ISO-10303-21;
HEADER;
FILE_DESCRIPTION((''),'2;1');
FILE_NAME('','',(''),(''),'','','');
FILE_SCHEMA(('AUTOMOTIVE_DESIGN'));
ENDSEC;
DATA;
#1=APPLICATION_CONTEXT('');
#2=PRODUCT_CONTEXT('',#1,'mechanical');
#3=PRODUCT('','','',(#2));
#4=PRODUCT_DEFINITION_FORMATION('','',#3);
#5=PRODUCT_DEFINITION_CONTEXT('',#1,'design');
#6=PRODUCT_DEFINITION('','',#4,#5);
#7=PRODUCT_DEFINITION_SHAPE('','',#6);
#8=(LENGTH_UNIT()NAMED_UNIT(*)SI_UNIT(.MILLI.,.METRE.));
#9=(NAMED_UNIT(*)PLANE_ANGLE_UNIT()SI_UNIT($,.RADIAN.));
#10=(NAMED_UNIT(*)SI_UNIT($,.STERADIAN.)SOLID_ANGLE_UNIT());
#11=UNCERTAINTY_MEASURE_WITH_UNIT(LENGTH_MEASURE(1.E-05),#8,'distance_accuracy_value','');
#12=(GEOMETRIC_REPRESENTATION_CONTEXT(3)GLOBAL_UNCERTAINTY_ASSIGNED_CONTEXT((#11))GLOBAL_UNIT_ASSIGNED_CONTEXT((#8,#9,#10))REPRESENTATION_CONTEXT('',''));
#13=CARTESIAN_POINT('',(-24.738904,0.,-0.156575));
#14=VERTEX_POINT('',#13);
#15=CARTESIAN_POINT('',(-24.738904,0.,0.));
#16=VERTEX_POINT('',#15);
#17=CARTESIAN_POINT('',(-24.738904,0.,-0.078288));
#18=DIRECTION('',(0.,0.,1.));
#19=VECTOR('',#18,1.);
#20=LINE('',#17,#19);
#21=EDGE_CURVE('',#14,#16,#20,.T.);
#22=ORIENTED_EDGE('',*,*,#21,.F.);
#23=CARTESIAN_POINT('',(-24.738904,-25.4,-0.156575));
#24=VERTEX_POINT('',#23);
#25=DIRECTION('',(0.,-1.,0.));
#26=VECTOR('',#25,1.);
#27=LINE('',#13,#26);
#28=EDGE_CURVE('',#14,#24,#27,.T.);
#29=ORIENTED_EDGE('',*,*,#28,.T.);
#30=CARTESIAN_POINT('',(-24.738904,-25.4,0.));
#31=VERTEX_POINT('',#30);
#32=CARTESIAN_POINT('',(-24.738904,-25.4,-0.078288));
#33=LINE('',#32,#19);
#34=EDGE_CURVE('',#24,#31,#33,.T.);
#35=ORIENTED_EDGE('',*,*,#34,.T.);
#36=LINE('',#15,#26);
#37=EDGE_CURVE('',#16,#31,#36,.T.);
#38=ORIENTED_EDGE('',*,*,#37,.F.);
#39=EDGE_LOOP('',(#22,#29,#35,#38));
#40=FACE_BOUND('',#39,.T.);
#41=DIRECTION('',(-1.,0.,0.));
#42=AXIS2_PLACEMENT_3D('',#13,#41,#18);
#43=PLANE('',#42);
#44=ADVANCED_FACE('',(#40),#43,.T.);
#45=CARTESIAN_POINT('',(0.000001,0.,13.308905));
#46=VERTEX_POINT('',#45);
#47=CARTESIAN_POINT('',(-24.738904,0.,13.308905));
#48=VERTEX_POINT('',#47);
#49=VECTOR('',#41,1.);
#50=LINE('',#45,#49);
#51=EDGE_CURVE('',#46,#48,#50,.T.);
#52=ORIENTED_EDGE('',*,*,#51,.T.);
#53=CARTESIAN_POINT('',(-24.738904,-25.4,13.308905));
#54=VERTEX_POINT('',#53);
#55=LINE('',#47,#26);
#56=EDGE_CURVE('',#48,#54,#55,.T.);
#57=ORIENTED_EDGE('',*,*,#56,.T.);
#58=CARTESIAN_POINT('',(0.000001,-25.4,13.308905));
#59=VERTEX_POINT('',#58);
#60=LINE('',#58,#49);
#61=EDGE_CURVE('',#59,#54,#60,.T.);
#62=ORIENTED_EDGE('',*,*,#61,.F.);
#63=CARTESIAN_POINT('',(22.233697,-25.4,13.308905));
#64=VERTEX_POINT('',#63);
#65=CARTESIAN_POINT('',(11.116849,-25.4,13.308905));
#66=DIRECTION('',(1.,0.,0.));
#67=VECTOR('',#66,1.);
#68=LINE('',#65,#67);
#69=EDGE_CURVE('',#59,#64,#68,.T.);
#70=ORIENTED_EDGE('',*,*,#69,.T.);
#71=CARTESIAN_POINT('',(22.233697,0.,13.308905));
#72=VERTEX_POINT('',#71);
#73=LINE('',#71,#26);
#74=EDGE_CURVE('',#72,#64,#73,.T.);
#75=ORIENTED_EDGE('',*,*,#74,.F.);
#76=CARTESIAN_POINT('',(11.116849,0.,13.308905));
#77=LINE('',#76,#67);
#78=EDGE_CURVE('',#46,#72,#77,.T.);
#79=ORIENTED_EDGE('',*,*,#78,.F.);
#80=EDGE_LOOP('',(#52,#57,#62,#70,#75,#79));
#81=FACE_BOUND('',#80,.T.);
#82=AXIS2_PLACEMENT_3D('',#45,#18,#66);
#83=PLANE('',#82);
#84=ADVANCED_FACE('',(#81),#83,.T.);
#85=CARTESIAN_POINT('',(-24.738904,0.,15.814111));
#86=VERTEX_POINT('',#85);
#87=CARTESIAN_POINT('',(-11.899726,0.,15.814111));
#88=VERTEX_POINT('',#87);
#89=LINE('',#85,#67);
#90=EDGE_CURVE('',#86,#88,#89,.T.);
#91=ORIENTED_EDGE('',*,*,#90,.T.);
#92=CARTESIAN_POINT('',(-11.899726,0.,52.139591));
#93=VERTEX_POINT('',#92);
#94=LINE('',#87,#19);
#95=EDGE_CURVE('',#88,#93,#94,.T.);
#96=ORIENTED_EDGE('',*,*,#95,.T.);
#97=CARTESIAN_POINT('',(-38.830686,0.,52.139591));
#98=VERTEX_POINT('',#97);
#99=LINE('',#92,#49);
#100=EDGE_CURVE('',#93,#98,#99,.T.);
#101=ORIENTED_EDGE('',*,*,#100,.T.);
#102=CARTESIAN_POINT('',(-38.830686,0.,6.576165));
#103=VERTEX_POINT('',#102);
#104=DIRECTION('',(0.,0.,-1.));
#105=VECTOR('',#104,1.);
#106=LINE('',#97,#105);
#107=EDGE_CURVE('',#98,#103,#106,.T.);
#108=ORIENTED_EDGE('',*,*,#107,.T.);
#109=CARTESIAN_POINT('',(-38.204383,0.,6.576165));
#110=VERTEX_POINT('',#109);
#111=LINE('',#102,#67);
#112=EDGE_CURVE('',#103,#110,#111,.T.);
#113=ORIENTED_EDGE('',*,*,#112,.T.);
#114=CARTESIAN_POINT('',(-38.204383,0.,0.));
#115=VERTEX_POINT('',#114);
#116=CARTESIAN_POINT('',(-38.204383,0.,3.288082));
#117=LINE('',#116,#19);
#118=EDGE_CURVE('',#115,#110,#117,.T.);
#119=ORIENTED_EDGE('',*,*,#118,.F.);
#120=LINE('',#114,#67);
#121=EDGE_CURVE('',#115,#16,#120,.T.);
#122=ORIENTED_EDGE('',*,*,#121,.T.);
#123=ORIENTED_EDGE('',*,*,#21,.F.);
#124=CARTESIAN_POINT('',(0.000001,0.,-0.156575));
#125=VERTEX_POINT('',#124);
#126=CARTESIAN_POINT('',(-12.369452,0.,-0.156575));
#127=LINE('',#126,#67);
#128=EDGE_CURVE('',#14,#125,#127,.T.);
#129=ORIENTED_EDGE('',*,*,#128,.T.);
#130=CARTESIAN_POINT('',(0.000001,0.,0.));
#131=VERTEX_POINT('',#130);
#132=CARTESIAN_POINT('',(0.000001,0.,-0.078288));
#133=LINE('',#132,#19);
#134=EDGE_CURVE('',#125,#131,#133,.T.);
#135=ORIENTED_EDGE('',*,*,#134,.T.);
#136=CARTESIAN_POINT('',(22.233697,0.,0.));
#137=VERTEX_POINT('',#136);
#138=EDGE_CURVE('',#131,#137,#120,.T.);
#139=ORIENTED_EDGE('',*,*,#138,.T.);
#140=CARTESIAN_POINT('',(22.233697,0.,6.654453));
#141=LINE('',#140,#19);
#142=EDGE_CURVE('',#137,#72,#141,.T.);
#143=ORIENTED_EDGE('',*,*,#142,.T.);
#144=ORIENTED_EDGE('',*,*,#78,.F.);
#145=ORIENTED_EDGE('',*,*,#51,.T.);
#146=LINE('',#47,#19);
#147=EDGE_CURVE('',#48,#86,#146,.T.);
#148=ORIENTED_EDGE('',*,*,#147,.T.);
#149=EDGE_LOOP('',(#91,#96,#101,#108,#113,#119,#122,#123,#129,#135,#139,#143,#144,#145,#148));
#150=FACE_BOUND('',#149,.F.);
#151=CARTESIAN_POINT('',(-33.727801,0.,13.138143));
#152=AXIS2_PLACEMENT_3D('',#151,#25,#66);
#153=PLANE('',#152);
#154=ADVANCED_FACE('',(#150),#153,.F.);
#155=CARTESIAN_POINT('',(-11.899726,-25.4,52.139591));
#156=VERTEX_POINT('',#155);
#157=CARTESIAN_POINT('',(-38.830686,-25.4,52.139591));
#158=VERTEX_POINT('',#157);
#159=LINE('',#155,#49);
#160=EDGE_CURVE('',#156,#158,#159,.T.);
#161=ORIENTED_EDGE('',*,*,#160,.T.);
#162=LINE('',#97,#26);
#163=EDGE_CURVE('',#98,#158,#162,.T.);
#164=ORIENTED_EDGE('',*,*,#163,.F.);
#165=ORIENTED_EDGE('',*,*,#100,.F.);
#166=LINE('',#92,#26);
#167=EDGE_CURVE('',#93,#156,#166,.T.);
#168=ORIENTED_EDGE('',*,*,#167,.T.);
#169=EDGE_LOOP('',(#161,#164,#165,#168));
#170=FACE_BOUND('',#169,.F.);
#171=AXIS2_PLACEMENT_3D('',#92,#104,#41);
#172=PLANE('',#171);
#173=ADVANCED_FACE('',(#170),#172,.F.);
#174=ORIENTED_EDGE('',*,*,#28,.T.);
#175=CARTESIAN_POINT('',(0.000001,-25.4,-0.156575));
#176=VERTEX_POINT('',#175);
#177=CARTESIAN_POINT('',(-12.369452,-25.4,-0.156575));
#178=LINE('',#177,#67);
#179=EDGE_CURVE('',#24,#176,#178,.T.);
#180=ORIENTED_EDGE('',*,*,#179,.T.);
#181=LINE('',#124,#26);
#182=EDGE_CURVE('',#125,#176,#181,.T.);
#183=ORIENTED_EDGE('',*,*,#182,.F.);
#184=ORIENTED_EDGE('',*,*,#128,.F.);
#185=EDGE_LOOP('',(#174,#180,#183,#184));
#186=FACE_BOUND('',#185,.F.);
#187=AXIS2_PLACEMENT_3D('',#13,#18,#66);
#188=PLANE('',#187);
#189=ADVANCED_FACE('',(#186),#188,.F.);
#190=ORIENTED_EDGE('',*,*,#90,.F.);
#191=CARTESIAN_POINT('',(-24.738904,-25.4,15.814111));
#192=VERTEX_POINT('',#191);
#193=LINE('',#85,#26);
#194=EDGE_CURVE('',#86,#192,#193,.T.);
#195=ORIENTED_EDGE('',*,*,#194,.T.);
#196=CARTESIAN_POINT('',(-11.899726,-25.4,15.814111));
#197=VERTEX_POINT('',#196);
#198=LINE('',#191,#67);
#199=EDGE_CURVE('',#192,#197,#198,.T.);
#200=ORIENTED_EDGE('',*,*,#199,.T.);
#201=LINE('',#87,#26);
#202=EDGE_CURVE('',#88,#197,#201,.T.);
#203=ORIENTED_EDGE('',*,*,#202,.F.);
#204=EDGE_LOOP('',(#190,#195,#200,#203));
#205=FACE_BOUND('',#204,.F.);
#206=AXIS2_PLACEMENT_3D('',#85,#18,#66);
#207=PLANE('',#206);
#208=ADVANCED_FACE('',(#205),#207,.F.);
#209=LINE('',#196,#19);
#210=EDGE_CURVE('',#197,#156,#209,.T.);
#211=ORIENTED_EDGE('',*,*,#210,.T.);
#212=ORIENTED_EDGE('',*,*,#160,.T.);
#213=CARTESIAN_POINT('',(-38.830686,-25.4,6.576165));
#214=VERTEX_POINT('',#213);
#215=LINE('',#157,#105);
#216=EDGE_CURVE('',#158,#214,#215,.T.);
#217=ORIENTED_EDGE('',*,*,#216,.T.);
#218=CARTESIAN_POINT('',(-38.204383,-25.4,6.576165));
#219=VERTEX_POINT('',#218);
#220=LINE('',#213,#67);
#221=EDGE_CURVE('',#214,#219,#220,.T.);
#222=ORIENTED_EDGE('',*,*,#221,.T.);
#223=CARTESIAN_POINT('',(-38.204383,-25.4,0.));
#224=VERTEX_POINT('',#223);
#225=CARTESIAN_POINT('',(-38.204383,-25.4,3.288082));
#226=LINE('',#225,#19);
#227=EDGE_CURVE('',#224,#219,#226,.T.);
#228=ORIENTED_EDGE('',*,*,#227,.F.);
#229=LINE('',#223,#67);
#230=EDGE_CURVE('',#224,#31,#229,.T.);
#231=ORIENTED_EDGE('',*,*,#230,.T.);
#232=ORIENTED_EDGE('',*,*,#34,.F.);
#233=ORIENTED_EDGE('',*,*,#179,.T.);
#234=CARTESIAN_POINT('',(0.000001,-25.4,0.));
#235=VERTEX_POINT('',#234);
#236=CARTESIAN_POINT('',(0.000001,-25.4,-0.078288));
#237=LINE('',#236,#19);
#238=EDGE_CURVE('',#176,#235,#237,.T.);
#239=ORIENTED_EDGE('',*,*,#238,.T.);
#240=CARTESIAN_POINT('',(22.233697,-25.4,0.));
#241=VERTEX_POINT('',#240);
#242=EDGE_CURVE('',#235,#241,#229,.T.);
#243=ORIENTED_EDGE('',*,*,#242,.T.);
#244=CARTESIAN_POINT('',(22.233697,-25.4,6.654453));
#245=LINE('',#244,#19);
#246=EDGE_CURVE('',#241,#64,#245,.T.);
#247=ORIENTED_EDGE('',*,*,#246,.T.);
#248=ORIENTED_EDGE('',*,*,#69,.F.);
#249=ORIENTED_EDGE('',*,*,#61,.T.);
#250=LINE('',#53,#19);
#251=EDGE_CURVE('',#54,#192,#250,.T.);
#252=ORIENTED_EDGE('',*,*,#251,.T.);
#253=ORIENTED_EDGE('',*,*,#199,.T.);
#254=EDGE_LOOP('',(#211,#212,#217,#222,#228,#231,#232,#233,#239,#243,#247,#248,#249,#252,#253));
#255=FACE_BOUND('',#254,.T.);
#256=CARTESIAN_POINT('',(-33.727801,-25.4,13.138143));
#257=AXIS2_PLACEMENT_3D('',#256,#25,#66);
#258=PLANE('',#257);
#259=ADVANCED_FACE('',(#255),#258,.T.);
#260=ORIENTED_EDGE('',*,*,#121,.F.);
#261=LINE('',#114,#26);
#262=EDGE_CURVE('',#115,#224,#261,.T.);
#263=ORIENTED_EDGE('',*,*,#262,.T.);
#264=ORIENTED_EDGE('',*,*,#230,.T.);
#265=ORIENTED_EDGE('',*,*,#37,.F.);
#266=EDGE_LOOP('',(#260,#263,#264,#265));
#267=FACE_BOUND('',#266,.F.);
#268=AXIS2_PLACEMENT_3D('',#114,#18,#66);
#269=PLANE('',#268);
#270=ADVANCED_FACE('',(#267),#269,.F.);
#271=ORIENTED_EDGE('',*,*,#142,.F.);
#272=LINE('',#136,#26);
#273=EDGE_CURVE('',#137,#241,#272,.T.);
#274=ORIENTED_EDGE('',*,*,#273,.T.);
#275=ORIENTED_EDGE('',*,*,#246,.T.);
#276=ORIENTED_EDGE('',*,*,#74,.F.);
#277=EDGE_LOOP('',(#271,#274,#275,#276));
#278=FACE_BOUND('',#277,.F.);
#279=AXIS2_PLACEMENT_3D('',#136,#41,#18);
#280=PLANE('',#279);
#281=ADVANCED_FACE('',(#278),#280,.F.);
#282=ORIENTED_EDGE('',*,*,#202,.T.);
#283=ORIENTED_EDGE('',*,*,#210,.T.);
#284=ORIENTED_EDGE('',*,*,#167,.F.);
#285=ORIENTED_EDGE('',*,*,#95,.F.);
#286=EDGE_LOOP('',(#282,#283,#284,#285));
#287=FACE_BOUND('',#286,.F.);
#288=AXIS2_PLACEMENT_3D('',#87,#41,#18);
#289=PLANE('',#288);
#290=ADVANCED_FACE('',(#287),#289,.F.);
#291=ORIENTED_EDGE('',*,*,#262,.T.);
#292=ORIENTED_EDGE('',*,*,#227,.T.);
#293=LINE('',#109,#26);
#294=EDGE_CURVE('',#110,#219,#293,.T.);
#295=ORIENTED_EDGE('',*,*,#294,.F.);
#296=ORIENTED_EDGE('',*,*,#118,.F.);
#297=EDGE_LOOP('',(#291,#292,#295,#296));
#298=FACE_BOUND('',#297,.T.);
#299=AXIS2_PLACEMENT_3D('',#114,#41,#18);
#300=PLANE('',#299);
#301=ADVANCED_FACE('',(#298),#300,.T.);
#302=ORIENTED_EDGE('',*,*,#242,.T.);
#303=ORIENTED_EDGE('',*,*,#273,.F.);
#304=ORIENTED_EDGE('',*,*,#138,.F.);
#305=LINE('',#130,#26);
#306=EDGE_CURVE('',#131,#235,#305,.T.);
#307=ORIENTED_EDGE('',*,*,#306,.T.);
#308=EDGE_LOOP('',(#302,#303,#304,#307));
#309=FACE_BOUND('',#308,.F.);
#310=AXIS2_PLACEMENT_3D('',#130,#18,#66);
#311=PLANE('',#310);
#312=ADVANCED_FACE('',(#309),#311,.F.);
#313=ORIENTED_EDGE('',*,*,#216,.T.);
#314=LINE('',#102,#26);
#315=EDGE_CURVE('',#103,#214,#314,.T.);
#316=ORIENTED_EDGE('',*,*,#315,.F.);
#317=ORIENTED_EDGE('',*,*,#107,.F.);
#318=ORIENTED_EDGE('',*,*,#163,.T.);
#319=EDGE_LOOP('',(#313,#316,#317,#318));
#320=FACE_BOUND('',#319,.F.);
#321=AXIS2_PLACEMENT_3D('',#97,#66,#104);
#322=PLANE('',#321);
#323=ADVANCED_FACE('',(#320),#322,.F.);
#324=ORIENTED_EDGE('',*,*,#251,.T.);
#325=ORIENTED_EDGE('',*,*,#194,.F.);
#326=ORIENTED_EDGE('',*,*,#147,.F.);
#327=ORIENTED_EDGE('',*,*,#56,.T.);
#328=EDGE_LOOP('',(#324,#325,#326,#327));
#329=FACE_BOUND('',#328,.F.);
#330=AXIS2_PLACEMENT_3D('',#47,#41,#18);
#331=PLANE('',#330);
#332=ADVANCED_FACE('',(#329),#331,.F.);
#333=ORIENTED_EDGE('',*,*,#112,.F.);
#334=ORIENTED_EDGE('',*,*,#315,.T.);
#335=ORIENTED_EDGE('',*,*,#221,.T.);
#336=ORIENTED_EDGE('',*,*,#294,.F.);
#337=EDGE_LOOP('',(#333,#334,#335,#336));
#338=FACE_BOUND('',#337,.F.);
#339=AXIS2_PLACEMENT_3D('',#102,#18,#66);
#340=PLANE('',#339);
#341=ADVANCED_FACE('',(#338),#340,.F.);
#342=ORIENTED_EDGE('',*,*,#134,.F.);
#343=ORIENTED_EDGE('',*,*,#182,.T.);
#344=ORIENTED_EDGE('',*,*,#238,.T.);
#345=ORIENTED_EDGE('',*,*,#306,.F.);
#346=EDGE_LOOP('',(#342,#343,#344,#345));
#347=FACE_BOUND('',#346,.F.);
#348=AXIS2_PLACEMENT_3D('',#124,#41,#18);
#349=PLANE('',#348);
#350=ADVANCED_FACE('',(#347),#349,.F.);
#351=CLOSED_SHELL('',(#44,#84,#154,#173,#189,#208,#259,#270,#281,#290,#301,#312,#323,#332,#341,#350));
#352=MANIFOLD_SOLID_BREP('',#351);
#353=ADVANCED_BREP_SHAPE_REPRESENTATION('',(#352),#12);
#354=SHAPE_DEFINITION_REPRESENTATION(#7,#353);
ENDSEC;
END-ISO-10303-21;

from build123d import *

# Parameters (mm, degrees)
F0_W     = 13.4654790163
F0_H     = 6.7327402066
F0_H_2   = 6.5761648584
F0_W_2   = 22.2336961131
F0_H_3   = 13.3089050651
F0_W_3   = 24.73890463
F0_H_4   = 0.1565753482
F1_DEPTH = 25.4


with BuildPart() as f1:
    # F0 (on Front) → F1 (new body)
    with BuildSketch(Plane.XZ):
        Polygon((-38.204383105, 6.5761648584), (-38.204383105, 13.3089050651), (-24.7389040887, 13.3089050651), (-24.7389040887, 15.8141106367), (-38.8306863606, 15.8141106367), (-38.8306863606, 6.5761648584), align=None)
        with Locations((-31.4716435969, 9.9425349617)):
            Rectangle(F0_W, F0_H)
        Polygon((5.413e-07, 13.3089050651), (-24.7389040887, 13.3089050651), (-24.7389040887, 6.5761648584), (-24.7389040887, 0), (5.413e-07, 0), align=None)
        with Locations((-31.4716435969, 3.2880824292)):
            Rectangle(F0_W, F0_H_2)
        with Locations((11.1168485979, 6.6544525325)):
            Rectangle(F0_W_2, F0_H_3)
        Polygon((-38.8306863606, 15.8141106367), (-24.7389040887, 15.8141106367), (-11.899725534, 15.8141106367), (-11.899725534, 52.1395914257), (-38.8306863606, 52.1395914257), align=None)
        with Locations((-12.3694517737, -0.0782876741)):
            Rectangle(F0_W_3, F0_H_4)
    extrude(amount=F1_DEPTH)


solid = f1.part
